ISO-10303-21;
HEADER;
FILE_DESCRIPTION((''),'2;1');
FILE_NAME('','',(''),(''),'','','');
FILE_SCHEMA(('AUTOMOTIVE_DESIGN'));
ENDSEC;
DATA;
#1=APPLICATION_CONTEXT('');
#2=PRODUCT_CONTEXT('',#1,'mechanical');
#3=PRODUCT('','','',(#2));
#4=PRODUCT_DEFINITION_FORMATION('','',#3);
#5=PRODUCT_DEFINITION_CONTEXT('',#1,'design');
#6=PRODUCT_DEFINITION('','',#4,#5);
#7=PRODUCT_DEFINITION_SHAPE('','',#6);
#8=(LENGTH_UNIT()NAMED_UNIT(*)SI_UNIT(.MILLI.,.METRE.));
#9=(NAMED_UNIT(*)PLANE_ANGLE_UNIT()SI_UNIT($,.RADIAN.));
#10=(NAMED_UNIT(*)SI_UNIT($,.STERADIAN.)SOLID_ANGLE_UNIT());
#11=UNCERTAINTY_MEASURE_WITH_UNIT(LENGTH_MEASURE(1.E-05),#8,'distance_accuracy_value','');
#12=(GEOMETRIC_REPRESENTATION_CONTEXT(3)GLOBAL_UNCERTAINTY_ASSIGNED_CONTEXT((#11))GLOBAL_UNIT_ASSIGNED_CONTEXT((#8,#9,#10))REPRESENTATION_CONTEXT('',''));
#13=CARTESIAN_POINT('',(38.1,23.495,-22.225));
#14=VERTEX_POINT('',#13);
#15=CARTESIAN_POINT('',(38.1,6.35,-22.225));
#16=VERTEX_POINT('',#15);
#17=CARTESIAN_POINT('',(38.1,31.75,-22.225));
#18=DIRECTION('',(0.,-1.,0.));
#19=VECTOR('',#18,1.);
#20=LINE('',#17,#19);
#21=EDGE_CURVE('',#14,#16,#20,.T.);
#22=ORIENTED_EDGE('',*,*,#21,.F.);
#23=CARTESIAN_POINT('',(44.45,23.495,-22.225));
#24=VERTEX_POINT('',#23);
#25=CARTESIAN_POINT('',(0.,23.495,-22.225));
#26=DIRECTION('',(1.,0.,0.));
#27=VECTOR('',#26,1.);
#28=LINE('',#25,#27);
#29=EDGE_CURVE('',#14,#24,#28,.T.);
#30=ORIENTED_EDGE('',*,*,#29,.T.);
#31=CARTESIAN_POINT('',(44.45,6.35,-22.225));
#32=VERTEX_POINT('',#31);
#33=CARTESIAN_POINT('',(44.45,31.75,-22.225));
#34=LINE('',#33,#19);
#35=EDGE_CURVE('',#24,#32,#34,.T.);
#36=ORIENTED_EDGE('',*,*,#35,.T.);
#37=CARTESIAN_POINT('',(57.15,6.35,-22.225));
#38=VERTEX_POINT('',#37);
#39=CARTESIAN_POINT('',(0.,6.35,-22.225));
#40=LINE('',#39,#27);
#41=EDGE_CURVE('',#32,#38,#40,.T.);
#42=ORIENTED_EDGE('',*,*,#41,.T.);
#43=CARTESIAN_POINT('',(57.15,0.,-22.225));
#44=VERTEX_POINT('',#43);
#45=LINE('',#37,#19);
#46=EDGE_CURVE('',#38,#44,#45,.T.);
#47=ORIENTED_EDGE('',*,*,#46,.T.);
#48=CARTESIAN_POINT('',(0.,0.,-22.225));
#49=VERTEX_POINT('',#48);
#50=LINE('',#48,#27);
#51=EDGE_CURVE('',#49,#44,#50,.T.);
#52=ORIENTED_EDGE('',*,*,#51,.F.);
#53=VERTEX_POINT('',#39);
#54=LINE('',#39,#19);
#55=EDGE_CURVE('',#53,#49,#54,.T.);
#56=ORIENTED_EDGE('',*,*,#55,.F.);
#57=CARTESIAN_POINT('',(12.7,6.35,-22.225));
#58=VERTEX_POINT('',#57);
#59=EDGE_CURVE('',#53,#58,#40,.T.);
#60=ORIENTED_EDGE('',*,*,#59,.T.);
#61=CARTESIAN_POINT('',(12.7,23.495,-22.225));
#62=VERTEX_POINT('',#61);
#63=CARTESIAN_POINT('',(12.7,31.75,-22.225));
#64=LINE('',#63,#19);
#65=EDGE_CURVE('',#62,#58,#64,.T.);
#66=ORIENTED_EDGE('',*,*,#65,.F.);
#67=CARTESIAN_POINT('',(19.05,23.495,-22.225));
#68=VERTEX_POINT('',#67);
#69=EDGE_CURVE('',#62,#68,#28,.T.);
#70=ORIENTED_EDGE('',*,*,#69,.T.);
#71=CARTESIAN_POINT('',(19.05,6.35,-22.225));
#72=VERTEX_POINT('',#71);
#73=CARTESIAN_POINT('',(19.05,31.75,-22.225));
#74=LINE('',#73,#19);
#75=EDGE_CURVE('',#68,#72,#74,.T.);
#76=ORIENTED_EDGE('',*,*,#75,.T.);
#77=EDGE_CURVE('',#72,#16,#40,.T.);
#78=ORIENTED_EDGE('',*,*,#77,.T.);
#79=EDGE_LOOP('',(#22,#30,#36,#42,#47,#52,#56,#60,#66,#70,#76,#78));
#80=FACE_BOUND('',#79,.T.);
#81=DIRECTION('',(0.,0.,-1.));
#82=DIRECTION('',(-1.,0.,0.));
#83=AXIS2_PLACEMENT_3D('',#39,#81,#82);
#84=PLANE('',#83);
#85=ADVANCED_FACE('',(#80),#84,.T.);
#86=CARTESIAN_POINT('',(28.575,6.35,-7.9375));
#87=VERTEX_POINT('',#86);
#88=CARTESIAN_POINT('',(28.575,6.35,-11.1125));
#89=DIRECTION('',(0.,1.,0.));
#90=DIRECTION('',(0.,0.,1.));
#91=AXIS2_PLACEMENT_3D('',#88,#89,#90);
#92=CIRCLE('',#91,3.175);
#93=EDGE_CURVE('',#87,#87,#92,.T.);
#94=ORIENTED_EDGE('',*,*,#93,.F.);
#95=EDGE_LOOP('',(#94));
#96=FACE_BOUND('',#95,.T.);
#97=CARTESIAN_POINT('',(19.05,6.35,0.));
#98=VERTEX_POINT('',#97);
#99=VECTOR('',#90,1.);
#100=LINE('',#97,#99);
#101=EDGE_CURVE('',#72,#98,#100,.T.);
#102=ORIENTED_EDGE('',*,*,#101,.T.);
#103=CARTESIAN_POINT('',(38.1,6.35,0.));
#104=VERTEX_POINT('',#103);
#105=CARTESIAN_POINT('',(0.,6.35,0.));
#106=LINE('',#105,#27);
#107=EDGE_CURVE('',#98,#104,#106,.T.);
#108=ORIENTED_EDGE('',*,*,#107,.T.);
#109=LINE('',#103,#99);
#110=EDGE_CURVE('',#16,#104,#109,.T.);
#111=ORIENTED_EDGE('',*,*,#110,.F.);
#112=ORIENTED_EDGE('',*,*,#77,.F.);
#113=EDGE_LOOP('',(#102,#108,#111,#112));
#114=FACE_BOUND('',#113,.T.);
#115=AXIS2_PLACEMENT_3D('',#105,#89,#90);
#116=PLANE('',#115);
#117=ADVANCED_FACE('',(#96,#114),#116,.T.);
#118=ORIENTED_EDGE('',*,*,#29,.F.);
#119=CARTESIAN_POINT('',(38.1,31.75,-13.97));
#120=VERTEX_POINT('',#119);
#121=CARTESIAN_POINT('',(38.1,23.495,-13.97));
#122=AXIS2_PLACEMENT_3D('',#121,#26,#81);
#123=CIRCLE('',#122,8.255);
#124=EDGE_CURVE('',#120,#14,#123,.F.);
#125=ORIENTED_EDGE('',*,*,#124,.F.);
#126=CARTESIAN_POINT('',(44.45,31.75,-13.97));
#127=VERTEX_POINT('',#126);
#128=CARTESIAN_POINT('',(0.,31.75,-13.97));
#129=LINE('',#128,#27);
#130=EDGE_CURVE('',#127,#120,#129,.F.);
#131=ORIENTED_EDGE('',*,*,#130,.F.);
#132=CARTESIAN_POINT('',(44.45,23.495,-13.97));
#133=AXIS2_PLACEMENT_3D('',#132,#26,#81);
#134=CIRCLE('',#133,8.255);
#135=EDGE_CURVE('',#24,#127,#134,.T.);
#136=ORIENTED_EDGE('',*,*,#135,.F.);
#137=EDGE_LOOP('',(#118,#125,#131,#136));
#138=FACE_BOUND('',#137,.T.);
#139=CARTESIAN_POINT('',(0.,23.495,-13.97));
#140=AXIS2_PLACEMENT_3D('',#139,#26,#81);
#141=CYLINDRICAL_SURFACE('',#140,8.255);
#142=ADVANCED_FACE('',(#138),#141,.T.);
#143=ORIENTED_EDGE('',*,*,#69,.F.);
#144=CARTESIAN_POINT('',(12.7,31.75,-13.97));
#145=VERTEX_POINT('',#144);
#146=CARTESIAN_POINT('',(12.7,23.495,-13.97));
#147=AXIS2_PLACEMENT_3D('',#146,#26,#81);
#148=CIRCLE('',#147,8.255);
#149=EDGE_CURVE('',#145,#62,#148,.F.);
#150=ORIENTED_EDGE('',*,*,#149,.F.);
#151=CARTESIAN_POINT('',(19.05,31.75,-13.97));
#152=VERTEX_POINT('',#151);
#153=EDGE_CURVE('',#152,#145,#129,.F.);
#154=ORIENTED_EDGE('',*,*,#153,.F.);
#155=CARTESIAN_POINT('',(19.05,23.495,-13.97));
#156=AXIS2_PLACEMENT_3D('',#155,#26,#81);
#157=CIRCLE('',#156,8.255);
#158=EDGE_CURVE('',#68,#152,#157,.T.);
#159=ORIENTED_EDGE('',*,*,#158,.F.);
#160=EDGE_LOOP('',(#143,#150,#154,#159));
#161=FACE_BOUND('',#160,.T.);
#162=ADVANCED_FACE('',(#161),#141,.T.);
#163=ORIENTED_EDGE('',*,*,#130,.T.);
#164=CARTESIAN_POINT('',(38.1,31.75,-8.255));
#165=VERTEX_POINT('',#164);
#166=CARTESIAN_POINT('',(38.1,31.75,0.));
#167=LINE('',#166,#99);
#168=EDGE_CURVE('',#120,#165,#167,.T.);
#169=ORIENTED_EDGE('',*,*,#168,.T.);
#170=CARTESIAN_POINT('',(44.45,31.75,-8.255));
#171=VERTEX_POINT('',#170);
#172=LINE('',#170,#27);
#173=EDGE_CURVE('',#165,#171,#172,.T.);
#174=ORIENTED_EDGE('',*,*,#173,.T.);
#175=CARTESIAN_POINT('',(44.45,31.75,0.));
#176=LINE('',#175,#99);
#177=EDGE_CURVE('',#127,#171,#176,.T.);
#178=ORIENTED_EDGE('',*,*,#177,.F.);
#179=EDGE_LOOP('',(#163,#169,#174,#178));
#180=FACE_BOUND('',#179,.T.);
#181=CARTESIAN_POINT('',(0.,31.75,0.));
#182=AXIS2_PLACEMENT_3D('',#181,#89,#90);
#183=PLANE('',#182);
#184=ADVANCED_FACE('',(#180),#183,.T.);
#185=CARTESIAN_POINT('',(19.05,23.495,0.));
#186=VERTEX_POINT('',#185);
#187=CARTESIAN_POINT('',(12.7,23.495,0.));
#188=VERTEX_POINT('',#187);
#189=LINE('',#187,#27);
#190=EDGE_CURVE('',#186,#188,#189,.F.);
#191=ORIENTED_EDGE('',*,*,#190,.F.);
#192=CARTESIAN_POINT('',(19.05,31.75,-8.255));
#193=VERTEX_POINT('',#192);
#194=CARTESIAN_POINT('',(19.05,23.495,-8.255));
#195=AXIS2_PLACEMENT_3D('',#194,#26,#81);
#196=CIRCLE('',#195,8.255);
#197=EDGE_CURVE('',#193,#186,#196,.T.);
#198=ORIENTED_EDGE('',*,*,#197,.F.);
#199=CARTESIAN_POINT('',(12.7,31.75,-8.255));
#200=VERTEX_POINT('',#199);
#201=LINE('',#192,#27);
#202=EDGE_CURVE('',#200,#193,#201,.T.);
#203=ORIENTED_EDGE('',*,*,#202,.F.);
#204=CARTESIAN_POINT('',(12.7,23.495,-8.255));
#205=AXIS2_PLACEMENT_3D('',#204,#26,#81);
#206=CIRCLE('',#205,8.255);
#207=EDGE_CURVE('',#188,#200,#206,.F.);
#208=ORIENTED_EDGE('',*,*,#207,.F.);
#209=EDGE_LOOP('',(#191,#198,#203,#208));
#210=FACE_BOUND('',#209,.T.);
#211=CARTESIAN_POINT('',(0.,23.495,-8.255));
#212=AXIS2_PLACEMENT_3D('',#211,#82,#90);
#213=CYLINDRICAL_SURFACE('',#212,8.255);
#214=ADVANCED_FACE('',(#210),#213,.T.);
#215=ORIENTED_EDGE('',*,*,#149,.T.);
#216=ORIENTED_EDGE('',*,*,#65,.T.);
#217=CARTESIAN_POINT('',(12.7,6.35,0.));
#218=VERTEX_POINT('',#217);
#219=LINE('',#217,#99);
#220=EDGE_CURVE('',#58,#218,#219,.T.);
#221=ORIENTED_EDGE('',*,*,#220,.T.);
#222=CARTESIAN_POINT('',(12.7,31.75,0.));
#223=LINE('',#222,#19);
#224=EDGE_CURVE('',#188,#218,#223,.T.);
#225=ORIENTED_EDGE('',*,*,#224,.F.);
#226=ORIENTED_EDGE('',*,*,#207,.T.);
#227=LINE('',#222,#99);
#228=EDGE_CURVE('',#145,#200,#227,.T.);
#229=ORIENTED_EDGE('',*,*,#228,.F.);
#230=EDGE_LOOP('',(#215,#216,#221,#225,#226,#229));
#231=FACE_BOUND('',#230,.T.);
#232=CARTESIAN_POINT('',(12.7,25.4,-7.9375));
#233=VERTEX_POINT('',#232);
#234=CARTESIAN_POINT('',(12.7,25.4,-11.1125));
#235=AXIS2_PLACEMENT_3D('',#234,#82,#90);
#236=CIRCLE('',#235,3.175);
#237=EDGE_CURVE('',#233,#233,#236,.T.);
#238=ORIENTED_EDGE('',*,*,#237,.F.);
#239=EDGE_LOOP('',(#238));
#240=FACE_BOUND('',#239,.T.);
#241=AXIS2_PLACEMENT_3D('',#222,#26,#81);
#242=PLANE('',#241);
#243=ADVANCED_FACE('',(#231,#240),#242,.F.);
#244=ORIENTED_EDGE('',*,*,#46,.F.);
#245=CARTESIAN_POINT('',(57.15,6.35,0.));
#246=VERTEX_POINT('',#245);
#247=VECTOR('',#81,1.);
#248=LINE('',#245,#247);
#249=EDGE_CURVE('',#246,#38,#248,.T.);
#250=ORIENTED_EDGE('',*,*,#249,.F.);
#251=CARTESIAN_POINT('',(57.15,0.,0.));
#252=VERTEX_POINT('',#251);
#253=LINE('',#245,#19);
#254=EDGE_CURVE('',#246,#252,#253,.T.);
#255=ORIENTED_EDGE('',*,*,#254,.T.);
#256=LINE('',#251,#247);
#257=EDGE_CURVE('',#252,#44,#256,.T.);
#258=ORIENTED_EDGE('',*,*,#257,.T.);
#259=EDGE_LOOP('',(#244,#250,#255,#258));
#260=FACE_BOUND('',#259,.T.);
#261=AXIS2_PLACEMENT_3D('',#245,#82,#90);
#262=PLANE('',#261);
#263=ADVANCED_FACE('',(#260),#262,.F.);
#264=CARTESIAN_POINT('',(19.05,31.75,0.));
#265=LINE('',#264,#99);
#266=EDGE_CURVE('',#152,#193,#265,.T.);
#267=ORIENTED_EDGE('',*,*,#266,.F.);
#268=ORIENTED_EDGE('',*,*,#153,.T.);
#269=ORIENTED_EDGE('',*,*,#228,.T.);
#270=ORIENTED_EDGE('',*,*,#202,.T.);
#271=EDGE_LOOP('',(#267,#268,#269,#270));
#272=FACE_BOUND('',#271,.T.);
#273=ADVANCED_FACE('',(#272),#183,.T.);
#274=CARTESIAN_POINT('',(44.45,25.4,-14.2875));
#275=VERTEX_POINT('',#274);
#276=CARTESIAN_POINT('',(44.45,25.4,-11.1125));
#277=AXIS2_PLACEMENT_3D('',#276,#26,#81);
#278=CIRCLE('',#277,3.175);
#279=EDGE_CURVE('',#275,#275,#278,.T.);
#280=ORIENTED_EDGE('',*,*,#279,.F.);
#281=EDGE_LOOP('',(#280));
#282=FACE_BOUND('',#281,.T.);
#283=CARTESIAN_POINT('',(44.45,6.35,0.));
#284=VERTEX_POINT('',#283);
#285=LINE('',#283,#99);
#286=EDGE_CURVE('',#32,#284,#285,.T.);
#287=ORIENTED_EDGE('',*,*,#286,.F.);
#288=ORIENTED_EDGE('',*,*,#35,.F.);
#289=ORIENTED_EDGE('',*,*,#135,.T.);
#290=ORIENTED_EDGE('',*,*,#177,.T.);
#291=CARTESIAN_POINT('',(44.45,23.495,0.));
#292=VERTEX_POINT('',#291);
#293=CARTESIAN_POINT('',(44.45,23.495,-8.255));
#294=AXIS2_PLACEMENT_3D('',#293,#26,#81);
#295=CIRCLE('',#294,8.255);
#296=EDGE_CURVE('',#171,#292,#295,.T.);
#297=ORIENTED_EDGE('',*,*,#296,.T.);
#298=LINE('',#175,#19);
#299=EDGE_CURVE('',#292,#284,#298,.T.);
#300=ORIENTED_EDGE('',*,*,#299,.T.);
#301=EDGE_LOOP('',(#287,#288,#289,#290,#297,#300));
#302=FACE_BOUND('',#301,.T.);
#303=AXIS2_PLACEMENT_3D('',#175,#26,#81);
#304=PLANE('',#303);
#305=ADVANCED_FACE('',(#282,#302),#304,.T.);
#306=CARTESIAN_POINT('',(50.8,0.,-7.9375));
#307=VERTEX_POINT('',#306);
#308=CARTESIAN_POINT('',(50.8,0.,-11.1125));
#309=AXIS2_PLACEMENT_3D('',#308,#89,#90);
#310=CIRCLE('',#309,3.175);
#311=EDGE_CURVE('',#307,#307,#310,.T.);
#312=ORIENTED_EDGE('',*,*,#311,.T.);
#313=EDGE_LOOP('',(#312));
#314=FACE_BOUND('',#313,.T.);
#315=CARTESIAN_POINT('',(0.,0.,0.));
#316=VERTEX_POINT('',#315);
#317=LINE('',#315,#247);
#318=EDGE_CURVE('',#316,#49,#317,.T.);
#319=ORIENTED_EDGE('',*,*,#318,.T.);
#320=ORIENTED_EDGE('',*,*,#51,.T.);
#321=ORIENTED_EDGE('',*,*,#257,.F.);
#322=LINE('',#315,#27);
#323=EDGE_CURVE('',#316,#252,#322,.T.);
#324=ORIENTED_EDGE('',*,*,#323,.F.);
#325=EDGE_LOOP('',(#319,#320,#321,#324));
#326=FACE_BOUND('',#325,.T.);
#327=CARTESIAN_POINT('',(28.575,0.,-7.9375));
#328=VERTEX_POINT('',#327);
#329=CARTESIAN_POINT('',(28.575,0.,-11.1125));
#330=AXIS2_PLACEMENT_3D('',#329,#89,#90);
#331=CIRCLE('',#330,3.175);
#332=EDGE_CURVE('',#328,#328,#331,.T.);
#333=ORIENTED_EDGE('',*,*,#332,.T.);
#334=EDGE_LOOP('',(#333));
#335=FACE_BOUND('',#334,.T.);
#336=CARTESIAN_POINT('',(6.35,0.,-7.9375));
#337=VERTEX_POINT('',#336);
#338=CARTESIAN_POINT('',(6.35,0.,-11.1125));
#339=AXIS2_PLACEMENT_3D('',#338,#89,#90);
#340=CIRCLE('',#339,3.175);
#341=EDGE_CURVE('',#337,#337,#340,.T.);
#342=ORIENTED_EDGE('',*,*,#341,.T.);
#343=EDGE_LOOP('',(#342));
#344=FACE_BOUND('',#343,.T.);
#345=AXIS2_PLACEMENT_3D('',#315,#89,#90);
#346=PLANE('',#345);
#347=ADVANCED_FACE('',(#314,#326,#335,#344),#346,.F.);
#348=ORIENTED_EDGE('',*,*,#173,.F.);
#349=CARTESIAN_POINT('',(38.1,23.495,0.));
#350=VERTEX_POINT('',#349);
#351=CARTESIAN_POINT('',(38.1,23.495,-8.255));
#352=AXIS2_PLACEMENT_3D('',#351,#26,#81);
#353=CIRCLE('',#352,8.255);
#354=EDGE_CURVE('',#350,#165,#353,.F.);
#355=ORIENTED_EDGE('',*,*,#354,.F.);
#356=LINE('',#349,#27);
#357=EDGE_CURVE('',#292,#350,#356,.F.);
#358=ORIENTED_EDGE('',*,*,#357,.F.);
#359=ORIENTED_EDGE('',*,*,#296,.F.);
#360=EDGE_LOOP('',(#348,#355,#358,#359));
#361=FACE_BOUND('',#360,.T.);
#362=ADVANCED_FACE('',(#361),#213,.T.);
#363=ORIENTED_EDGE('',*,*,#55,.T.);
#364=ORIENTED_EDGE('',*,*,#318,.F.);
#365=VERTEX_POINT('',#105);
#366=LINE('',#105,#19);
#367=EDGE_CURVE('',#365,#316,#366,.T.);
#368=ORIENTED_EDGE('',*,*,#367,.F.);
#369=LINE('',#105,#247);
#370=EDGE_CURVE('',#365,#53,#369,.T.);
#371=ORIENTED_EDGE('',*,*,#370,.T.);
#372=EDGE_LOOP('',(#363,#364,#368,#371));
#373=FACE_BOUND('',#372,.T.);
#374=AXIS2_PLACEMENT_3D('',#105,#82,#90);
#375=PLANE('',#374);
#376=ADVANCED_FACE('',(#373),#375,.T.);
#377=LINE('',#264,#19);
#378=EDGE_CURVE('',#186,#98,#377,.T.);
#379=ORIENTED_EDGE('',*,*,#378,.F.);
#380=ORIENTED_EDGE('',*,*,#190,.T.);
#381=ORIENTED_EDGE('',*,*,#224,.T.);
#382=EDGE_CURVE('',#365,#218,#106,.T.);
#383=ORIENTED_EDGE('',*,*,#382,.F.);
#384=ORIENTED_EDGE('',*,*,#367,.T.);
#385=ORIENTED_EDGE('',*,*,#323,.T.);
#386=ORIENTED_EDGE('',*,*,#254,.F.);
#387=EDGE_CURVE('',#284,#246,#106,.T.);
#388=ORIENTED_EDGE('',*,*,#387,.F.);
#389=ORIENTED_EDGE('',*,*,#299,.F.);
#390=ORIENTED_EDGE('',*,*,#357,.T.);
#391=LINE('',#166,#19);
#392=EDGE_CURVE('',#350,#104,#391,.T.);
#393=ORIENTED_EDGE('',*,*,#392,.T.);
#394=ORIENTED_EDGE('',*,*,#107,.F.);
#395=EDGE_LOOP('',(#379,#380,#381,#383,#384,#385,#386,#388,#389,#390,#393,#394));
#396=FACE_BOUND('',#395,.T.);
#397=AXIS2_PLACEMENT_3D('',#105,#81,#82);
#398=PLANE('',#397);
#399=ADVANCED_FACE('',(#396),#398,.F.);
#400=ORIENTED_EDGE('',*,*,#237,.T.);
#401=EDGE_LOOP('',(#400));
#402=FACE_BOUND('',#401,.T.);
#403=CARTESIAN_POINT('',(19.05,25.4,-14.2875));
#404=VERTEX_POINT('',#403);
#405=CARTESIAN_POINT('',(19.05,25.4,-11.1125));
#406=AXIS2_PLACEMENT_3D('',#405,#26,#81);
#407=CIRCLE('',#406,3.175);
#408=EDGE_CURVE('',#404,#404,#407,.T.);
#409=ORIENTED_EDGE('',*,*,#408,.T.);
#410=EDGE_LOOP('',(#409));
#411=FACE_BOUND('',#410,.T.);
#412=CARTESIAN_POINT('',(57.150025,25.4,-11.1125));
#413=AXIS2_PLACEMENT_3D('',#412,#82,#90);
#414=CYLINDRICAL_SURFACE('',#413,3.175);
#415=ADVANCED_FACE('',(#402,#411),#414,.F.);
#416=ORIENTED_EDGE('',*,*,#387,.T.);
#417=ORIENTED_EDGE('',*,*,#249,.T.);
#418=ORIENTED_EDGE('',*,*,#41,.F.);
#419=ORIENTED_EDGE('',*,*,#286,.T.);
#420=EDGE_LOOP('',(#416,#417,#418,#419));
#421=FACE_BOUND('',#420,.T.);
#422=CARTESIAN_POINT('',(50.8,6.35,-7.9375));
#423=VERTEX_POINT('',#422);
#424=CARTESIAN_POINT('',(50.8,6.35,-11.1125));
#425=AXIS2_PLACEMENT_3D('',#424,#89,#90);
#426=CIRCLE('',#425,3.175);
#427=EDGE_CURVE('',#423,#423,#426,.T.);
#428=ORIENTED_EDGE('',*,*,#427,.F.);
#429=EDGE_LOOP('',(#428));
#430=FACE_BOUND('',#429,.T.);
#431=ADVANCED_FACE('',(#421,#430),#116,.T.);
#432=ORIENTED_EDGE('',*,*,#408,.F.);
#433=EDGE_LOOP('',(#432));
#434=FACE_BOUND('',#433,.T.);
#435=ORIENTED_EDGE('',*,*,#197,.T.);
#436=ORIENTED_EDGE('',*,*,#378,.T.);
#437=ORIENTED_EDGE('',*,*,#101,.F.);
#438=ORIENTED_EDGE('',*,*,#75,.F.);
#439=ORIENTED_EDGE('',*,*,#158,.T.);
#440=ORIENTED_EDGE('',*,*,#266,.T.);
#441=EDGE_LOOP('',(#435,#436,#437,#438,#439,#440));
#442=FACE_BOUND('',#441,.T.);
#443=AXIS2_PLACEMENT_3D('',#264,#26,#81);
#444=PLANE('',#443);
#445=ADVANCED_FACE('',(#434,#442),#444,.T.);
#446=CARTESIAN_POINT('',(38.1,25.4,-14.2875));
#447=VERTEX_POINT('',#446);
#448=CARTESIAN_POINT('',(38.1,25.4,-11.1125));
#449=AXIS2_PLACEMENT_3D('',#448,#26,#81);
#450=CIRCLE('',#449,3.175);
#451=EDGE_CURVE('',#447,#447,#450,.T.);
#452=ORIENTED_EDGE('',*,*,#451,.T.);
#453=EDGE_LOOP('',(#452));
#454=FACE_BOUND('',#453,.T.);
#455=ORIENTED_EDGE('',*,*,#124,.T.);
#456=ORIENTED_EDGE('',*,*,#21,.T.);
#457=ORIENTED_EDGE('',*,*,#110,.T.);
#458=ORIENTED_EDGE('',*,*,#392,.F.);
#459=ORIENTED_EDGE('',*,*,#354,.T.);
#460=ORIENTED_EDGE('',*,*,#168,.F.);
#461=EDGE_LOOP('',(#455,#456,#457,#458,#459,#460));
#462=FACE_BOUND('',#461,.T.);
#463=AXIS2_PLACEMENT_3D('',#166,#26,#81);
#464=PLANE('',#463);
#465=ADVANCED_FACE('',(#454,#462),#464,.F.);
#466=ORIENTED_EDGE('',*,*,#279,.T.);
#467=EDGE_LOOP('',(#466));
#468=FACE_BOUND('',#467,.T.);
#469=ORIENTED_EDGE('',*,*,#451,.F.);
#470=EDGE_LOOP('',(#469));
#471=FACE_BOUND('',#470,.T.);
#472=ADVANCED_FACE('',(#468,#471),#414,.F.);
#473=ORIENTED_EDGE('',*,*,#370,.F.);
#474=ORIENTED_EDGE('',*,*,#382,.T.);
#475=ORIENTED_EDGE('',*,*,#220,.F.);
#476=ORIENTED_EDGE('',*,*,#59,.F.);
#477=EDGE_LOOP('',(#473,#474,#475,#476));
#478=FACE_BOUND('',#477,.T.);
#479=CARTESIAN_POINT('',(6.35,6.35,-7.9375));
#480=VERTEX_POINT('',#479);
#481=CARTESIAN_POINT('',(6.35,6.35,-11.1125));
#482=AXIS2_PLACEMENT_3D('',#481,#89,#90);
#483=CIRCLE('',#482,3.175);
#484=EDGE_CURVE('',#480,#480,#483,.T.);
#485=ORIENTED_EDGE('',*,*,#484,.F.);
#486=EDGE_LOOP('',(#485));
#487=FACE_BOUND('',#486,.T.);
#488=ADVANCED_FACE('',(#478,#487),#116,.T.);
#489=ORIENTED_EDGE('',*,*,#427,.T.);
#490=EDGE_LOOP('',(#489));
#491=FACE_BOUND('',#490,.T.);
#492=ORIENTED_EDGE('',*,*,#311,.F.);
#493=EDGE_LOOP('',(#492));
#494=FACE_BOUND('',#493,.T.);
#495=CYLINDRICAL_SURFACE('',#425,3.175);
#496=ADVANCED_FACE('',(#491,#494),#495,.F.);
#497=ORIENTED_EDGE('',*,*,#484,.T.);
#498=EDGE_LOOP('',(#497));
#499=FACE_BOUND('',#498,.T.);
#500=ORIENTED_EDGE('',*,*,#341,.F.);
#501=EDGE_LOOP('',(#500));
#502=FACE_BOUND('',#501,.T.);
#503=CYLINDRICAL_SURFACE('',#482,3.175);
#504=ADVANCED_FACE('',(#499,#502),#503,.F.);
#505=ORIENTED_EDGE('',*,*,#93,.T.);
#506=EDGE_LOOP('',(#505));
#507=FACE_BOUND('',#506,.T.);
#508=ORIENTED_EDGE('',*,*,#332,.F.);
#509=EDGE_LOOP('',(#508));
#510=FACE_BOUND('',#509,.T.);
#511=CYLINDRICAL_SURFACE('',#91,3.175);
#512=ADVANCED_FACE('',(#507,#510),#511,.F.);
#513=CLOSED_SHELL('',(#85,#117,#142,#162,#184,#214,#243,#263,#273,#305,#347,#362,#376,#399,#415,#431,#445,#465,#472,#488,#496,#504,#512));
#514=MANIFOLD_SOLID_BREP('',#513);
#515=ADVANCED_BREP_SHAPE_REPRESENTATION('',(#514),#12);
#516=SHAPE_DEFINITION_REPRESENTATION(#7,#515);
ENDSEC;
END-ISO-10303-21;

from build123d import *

# Parameters (mm, degrees)
SKETCH2_W                       = 12.7
SKETCH2_H                       = 22.225
BOSS_EXTRUDE1_DEPTH             = 6.35
SKETCH2_W_2                     = 19.05
BOSS_EXTRUDE1_2_DEPTH           = 6.35
BOSS_EXTRUDE1_3_DEPTH           = 6.35
SKETCH2_3_W                     = 6.35
SKETCH2_3_H                     = 22.225
BOSS_EXTRUDE2_DEPTH             = 31.75
SKETCH3_R                       = 3.175
CUT_EXTRUDE1_DEPTH              = 59.973007597
F_1_4_0_25_DIAMETER_HOLE1_D     = 6.35
F_1_4_0_25_DIAMETER_HOLE1_DEPTH = 25.4
F_1_4_0_25_DIAMETER_HOLE1_TIP   = 1.907732465
FILLET1_R                       = 8.255


with BuildPart() as part:
    # Sketch2 → Boss-Extrude1 (new body)
    with BuildSketch(Plane(origin=(0, 0, 0), x_dir=(1, 0, 0), z_dir=(0, 1, 0))):
        with Locations((6.35, 11.1125)):
            Rectangle(SKETCH2_W, SKETCH2_H)
    extrude(amount=BOSS_EXTRUDE1_DEPTH)



with BuildPart() as body_2:
    # Sketch2 → Boss-Extrude1 2 (new body)
    with BuildSketch(Plane(origin=(0, 0, 0), x_dir=(1, 0, 0), z_dir=(0, 1, 0))):
        with Locations((28.575, 11.1125)):
            Rectangle(SKETCH2_W_2, SKETCH2_H)
    extrude(amount=BOSS_EXTRUDE1_2_DEPTH)


with BuildPart() as body_3:
    # Sketch2 → Boss-Extrude1 3 (new body)
    with BuildSketch(Plane(origin=(0, 0, 0), x_dir=(1, 0, 0), z_dir=(0, 1, 0))):
        with Locations((50.8, 11.1125)):
            Rectangle(SKETCH2_W, SKETCH2_H)
    extrude(amount=BOSS_EXTRUDE1_3_DEPTH)


with BuildPart() as part_1:
    add(part.part)

    add(body_2.part)  # Boss-Extrude2 merges body 2

    add(body_3.part)  # Boss-Extrude2 merges body 3
    # Sketch2<3> → Boss-Extrude2 (add)
    with BuildSketch(Plane(origin=(0, 0, 0), x_dir=(1, 0, 0), z_dir=(0, 1, 0))):
        with Locations((15.875, 11.1125)):
            Rectangle(SKETCH2_3_W, SKETCH2_3_H)
        with Locations((41.275, 11.1125)):
            Rectangle(SKETCH2_3_W, SKETCH2_3_H)
    extrude(amount=BOSS_EXTRUDE2_DEPTH)

    # Sketch3 → Cut-Extrude1 (cut, through all)
    with BuildSketch(Plane.ZY.offset(-12.7)):
        with Locations((-11.1125, 25.4)):
            Circle(SKETCH3_R)
    extrude(amount=-CUT_EXTRUDE1_DEPTH, mode=Mode.SUBTRACT)

    # 1/4 (0.25) Diameter Hole1
    with Locations(Plane(origin=(6.35, 6.35, -11.1125), x_dir=(0, 0, 1), z_dir=(0, 1, 0))):
        with Locations((0, 0), (0, 22.225), (0, 44.45)):
            Hole(F_1_4_0_25_DIAMETER_HOLE1_D / 2, depth=F_1_4_0_25_DIAMETER_HOLE1_DEPTH)
            with Locations((0, 0, -(F_1_4_0_25_DIAMETER_HOLE1_DEPTH + F_1_4_0_25_DIAMETER_HOLE1_TIP / 2))):  # 118° drill point
                Cone(0, F_1_4_0_25_DIAMETER_HOLE1_D / 2, F_1_4_0_25_DIAMETER_HOLE1_TIP, mode=Mode.SUBTRACT)

    # Fillet1
    fillet1_edges = [part_1.edges().sort_by_distance(p)[0] for p in [
        (15.875, 31.75, -22.225),
        (41.275, 31.75, -22.225),
        (41.275, 31.75, 0),
        (15.875, 31.75, 0),
    ]]
    fillet(fillet1_edges, radius=FILLET1_R)


solid = part_1.part
